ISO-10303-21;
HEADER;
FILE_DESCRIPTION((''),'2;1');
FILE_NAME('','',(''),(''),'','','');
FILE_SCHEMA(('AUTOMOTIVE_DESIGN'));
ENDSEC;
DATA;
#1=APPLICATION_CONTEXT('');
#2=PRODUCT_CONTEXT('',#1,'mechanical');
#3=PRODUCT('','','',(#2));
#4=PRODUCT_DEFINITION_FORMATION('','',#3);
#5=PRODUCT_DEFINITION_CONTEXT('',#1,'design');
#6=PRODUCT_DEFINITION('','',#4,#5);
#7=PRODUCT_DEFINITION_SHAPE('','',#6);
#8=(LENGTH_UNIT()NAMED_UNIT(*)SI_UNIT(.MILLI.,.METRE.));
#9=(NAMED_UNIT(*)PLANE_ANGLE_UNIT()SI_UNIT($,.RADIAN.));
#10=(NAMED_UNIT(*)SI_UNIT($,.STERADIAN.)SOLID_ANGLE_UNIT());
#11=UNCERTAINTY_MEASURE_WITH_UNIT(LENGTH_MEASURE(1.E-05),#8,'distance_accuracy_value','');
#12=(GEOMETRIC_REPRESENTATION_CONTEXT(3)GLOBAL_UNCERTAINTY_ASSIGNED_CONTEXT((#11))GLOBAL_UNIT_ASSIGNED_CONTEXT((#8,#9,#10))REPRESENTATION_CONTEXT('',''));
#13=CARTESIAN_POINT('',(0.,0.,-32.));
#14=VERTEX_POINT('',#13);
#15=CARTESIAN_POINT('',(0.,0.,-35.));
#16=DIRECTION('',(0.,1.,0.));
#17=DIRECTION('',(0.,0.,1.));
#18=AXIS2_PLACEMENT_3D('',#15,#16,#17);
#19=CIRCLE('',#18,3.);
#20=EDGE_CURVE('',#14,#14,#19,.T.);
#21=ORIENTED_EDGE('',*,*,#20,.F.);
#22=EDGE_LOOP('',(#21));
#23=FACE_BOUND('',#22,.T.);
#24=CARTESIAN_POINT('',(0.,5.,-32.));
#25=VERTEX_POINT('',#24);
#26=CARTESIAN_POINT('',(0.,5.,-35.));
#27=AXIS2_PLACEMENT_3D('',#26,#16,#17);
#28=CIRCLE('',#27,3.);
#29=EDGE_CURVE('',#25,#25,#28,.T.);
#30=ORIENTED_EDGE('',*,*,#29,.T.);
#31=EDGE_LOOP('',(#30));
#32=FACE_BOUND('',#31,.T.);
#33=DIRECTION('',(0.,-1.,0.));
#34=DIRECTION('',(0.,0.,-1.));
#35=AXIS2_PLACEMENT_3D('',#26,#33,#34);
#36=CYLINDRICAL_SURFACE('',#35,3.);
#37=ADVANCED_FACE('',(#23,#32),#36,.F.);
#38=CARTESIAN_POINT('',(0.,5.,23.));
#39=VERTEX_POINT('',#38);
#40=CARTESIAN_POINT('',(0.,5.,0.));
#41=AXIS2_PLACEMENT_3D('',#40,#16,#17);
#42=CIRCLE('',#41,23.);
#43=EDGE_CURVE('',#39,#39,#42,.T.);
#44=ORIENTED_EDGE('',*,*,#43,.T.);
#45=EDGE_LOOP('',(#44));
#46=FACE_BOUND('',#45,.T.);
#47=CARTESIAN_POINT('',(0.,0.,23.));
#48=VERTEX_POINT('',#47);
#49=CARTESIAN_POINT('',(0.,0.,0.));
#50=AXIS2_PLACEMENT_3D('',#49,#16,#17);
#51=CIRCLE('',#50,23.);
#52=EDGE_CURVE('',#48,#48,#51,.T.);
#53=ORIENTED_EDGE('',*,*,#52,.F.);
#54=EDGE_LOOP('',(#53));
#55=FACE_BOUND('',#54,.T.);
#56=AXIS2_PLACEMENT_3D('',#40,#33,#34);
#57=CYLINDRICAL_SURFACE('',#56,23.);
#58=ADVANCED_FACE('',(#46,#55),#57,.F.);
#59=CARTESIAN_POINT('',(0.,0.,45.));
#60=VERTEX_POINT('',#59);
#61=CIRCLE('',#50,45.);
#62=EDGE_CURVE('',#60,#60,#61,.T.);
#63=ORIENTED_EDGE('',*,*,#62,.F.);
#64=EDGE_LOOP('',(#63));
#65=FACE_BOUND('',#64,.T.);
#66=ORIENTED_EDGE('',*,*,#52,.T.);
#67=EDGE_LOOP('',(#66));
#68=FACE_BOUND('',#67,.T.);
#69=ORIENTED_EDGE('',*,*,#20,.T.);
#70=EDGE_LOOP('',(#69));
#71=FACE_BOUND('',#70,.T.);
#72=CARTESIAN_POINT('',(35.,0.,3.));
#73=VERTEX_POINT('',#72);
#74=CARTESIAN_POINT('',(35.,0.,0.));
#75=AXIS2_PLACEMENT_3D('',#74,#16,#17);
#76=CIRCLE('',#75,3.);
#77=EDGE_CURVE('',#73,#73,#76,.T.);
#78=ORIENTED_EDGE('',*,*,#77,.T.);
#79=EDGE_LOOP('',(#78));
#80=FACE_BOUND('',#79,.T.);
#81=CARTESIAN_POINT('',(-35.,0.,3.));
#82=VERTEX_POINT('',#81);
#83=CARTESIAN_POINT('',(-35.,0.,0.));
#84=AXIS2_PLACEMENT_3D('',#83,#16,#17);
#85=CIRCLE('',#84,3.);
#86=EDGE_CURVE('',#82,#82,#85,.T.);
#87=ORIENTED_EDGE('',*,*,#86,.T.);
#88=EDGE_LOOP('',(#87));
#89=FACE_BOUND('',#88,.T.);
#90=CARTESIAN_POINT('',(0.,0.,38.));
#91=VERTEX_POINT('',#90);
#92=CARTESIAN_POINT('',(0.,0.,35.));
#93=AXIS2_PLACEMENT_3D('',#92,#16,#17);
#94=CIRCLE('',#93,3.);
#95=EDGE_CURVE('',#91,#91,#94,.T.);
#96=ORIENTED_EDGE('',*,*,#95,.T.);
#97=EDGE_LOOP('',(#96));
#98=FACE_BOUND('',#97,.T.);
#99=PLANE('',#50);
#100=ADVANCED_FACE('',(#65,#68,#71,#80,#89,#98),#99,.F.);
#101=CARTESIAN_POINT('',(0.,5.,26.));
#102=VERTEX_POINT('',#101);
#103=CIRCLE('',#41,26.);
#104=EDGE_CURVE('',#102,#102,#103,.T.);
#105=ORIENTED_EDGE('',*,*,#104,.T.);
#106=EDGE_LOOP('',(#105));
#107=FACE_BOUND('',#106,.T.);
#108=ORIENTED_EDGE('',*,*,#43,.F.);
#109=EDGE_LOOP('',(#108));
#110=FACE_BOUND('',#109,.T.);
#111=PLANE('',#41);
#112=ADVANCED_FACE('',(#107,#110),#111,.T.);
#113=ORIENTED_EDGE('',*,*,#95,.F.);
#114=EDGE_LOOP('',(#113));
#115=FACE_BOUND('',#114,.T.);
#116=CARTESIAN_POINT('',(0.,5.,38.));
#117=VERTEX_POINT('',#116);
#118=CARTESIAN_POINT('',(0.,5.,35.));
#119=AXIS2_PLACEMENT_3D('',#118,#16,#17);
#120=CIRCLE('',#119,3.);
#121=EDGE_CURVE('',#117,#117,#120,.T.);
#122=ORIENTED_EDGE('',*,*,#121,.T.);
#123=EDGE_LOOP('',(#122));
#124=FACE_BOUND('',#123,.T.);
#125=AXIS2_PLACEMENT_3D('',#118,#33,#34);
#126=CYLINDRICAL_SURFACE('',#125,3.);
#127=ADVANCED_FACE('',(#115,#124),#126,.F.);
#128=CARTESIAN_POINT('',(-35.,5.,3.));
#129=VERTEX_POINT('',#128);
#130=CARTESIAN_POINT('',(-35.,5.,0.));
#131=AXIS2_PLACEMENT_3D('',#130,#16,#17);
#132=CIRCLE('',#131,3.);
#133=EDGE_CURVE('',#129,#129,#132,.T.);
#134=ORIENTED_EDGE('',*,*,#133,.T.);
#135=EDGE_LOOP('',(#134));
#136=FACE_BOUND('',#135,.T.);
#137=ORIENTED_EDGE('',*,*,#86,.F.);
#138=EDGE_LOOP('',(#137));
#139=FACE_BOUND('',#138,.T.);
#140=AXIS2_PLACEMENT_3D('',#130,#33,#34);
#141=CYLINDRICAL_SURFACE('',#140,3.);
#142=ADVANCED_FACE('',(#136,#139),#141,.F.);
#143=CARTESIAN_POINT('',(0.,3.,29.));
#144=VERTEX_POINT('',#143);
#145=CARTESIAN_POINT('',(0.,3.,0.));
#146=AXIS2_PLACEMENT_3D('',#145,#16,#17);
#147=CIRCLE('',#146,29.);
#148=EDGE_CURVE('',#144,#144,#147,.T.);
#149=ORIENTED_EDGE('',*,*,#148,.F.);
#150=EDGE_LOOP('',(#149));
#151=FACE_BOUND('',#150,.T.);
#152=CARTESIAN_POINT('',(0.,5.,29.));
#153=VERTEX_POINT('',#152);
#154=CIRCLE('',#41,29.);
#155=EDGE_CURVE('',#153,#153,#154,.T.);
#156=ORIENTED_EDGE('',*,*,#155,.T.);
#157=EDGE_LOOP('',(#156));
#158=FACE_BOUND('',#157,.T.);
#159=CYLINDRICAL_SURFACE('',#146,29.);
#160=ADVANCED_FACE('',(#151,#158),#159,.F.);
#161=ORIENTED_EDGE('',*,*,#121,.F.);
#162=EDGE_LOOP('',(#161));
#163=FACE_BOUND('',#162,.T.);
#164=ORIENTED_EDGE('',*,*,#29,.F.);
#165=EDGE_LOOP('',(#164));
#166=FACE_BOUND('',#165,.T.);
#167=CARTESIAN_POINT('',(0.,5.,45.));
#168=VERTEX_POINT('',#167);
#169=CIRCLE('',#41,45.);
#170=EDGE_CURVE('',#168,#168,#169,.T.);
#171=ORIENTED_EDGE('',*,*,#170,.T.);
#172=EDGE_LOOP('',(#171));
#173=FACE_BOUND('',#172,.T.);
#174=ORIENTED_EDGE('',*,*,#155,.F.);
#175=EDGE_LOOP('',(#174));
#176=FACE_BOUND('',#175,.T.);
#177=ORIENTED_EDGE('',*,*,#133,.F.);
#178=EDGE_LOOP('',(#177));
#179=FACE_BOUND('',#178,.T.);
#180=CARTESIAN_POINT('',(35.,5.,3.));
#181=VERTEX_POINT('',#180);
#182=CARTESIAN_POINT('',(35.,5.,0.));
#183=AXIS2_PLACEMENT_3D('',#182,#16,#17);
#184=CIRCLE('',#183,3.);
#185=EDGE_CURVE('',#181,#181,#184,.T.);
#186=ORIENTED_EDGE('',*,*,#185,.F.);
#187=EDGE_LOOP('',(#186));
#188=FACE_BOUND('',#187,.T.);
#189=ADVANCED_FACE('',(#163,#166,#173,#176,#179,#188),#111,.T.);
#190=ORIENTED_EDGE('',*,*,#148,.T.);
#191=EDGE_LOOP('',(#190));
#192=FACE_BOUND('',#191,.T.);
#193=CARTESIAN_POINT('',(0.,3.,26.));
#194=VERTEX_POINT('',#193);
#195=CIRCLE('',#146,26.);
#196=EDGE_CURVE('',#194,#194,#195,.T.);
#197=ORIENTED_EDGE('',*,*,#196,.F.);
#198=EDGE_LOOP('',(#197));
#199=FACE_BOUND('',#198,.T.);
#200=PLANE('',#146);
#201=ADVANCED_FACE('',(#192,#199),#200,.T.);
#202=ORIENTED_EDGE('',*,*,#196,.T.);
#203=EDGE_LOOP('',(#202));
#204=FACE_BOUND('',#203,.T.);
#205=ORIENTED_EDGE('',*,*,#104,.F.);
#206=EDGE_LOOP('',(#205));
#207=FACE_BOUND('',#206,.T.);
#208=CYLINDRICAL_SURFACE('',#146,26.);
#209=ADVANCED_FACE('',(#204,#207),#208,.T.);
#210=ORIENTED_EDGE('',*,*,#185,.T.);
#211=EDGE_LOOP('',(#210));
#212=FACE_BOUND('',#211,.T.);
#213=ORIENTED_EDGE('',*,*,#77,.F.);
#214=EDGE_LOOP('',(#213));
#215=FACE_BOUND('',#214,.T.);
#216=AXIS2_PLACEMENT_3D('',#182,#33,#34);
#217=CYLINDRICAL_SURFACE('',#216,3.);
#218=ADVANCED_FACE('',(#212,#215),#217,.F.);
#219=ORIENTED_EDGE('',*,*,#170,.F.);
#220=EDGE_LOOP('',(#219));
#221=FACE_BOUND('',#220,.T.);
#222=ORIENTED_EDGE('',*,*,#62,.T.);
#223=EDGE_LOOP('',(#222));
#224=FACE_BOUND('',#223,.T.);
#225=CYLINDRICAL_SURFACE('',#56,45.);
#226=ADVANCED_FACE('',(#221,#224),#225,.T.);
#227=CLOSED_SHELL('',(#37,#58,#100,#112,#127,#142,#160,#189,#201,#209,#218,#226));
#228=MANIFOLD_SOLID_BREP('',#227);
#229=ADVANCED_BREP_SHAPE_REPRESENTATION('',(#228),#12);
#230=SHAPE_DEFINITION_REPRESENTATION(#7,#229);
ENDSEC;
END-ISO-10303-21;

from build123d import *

# Parameters (mm, degrees)
SKETCH_1_R         = 45
SKETCH_1_R_2       = 3
SKETCH_1_R_3       = 23
EXTRUDE_3_DEPTH    = 5
SKETCH1_R          = 29
SKETCH1_R_2        = 26
CUT_EXTRUDE1_DEPTH = 2


with BuildPart() as part:
    # 草圖1 → 填料-伸長3 (new body)
    with BuildSketch(Plane(origin=(0, 0, 0), x_dir=(1, 0, 0), z_dir=(0, 1, 0))):
        Circle(SKETCH_1_R)
        with Locations((-35, 0)):
            Circle(SKETCH_1_R_2, mode=Mode.SUBTRACT)
        with Locations((35, 0)):
            Circle(SKETCH_1_R_2, mode=Mode.SUBTRACT)
        with Locations((0, -35)):
            Circle(SKETCH_1_R_2, mode=Mode.SUBTRACT)
        with Locations((0, 35)):
            Circle(SKETCH_1_R_2, mode=Mode.SUBTRACT)
        Circle(SKETCH_1_R_3, mode=Mode.SUBTRACT)
    extrude(amount=EXTRUDE_3_DEPTH)

    # Sketch1 → Cut-Extrude1 (cut)
    with BuildSketch(Plane(origin=(0, 5, 0), x_dir=(1, 0, 0), z_dir=(0, 1, 0))):
        Circle(SKETCH1_R)
        Circle(SKETCH1_R_2, mode=Mode.SUBTRACT)
    extrude(amount=-CUT_EXTRUDE1_DEPTH, mode=Mode.SUBTRACT)


solid = part.part
